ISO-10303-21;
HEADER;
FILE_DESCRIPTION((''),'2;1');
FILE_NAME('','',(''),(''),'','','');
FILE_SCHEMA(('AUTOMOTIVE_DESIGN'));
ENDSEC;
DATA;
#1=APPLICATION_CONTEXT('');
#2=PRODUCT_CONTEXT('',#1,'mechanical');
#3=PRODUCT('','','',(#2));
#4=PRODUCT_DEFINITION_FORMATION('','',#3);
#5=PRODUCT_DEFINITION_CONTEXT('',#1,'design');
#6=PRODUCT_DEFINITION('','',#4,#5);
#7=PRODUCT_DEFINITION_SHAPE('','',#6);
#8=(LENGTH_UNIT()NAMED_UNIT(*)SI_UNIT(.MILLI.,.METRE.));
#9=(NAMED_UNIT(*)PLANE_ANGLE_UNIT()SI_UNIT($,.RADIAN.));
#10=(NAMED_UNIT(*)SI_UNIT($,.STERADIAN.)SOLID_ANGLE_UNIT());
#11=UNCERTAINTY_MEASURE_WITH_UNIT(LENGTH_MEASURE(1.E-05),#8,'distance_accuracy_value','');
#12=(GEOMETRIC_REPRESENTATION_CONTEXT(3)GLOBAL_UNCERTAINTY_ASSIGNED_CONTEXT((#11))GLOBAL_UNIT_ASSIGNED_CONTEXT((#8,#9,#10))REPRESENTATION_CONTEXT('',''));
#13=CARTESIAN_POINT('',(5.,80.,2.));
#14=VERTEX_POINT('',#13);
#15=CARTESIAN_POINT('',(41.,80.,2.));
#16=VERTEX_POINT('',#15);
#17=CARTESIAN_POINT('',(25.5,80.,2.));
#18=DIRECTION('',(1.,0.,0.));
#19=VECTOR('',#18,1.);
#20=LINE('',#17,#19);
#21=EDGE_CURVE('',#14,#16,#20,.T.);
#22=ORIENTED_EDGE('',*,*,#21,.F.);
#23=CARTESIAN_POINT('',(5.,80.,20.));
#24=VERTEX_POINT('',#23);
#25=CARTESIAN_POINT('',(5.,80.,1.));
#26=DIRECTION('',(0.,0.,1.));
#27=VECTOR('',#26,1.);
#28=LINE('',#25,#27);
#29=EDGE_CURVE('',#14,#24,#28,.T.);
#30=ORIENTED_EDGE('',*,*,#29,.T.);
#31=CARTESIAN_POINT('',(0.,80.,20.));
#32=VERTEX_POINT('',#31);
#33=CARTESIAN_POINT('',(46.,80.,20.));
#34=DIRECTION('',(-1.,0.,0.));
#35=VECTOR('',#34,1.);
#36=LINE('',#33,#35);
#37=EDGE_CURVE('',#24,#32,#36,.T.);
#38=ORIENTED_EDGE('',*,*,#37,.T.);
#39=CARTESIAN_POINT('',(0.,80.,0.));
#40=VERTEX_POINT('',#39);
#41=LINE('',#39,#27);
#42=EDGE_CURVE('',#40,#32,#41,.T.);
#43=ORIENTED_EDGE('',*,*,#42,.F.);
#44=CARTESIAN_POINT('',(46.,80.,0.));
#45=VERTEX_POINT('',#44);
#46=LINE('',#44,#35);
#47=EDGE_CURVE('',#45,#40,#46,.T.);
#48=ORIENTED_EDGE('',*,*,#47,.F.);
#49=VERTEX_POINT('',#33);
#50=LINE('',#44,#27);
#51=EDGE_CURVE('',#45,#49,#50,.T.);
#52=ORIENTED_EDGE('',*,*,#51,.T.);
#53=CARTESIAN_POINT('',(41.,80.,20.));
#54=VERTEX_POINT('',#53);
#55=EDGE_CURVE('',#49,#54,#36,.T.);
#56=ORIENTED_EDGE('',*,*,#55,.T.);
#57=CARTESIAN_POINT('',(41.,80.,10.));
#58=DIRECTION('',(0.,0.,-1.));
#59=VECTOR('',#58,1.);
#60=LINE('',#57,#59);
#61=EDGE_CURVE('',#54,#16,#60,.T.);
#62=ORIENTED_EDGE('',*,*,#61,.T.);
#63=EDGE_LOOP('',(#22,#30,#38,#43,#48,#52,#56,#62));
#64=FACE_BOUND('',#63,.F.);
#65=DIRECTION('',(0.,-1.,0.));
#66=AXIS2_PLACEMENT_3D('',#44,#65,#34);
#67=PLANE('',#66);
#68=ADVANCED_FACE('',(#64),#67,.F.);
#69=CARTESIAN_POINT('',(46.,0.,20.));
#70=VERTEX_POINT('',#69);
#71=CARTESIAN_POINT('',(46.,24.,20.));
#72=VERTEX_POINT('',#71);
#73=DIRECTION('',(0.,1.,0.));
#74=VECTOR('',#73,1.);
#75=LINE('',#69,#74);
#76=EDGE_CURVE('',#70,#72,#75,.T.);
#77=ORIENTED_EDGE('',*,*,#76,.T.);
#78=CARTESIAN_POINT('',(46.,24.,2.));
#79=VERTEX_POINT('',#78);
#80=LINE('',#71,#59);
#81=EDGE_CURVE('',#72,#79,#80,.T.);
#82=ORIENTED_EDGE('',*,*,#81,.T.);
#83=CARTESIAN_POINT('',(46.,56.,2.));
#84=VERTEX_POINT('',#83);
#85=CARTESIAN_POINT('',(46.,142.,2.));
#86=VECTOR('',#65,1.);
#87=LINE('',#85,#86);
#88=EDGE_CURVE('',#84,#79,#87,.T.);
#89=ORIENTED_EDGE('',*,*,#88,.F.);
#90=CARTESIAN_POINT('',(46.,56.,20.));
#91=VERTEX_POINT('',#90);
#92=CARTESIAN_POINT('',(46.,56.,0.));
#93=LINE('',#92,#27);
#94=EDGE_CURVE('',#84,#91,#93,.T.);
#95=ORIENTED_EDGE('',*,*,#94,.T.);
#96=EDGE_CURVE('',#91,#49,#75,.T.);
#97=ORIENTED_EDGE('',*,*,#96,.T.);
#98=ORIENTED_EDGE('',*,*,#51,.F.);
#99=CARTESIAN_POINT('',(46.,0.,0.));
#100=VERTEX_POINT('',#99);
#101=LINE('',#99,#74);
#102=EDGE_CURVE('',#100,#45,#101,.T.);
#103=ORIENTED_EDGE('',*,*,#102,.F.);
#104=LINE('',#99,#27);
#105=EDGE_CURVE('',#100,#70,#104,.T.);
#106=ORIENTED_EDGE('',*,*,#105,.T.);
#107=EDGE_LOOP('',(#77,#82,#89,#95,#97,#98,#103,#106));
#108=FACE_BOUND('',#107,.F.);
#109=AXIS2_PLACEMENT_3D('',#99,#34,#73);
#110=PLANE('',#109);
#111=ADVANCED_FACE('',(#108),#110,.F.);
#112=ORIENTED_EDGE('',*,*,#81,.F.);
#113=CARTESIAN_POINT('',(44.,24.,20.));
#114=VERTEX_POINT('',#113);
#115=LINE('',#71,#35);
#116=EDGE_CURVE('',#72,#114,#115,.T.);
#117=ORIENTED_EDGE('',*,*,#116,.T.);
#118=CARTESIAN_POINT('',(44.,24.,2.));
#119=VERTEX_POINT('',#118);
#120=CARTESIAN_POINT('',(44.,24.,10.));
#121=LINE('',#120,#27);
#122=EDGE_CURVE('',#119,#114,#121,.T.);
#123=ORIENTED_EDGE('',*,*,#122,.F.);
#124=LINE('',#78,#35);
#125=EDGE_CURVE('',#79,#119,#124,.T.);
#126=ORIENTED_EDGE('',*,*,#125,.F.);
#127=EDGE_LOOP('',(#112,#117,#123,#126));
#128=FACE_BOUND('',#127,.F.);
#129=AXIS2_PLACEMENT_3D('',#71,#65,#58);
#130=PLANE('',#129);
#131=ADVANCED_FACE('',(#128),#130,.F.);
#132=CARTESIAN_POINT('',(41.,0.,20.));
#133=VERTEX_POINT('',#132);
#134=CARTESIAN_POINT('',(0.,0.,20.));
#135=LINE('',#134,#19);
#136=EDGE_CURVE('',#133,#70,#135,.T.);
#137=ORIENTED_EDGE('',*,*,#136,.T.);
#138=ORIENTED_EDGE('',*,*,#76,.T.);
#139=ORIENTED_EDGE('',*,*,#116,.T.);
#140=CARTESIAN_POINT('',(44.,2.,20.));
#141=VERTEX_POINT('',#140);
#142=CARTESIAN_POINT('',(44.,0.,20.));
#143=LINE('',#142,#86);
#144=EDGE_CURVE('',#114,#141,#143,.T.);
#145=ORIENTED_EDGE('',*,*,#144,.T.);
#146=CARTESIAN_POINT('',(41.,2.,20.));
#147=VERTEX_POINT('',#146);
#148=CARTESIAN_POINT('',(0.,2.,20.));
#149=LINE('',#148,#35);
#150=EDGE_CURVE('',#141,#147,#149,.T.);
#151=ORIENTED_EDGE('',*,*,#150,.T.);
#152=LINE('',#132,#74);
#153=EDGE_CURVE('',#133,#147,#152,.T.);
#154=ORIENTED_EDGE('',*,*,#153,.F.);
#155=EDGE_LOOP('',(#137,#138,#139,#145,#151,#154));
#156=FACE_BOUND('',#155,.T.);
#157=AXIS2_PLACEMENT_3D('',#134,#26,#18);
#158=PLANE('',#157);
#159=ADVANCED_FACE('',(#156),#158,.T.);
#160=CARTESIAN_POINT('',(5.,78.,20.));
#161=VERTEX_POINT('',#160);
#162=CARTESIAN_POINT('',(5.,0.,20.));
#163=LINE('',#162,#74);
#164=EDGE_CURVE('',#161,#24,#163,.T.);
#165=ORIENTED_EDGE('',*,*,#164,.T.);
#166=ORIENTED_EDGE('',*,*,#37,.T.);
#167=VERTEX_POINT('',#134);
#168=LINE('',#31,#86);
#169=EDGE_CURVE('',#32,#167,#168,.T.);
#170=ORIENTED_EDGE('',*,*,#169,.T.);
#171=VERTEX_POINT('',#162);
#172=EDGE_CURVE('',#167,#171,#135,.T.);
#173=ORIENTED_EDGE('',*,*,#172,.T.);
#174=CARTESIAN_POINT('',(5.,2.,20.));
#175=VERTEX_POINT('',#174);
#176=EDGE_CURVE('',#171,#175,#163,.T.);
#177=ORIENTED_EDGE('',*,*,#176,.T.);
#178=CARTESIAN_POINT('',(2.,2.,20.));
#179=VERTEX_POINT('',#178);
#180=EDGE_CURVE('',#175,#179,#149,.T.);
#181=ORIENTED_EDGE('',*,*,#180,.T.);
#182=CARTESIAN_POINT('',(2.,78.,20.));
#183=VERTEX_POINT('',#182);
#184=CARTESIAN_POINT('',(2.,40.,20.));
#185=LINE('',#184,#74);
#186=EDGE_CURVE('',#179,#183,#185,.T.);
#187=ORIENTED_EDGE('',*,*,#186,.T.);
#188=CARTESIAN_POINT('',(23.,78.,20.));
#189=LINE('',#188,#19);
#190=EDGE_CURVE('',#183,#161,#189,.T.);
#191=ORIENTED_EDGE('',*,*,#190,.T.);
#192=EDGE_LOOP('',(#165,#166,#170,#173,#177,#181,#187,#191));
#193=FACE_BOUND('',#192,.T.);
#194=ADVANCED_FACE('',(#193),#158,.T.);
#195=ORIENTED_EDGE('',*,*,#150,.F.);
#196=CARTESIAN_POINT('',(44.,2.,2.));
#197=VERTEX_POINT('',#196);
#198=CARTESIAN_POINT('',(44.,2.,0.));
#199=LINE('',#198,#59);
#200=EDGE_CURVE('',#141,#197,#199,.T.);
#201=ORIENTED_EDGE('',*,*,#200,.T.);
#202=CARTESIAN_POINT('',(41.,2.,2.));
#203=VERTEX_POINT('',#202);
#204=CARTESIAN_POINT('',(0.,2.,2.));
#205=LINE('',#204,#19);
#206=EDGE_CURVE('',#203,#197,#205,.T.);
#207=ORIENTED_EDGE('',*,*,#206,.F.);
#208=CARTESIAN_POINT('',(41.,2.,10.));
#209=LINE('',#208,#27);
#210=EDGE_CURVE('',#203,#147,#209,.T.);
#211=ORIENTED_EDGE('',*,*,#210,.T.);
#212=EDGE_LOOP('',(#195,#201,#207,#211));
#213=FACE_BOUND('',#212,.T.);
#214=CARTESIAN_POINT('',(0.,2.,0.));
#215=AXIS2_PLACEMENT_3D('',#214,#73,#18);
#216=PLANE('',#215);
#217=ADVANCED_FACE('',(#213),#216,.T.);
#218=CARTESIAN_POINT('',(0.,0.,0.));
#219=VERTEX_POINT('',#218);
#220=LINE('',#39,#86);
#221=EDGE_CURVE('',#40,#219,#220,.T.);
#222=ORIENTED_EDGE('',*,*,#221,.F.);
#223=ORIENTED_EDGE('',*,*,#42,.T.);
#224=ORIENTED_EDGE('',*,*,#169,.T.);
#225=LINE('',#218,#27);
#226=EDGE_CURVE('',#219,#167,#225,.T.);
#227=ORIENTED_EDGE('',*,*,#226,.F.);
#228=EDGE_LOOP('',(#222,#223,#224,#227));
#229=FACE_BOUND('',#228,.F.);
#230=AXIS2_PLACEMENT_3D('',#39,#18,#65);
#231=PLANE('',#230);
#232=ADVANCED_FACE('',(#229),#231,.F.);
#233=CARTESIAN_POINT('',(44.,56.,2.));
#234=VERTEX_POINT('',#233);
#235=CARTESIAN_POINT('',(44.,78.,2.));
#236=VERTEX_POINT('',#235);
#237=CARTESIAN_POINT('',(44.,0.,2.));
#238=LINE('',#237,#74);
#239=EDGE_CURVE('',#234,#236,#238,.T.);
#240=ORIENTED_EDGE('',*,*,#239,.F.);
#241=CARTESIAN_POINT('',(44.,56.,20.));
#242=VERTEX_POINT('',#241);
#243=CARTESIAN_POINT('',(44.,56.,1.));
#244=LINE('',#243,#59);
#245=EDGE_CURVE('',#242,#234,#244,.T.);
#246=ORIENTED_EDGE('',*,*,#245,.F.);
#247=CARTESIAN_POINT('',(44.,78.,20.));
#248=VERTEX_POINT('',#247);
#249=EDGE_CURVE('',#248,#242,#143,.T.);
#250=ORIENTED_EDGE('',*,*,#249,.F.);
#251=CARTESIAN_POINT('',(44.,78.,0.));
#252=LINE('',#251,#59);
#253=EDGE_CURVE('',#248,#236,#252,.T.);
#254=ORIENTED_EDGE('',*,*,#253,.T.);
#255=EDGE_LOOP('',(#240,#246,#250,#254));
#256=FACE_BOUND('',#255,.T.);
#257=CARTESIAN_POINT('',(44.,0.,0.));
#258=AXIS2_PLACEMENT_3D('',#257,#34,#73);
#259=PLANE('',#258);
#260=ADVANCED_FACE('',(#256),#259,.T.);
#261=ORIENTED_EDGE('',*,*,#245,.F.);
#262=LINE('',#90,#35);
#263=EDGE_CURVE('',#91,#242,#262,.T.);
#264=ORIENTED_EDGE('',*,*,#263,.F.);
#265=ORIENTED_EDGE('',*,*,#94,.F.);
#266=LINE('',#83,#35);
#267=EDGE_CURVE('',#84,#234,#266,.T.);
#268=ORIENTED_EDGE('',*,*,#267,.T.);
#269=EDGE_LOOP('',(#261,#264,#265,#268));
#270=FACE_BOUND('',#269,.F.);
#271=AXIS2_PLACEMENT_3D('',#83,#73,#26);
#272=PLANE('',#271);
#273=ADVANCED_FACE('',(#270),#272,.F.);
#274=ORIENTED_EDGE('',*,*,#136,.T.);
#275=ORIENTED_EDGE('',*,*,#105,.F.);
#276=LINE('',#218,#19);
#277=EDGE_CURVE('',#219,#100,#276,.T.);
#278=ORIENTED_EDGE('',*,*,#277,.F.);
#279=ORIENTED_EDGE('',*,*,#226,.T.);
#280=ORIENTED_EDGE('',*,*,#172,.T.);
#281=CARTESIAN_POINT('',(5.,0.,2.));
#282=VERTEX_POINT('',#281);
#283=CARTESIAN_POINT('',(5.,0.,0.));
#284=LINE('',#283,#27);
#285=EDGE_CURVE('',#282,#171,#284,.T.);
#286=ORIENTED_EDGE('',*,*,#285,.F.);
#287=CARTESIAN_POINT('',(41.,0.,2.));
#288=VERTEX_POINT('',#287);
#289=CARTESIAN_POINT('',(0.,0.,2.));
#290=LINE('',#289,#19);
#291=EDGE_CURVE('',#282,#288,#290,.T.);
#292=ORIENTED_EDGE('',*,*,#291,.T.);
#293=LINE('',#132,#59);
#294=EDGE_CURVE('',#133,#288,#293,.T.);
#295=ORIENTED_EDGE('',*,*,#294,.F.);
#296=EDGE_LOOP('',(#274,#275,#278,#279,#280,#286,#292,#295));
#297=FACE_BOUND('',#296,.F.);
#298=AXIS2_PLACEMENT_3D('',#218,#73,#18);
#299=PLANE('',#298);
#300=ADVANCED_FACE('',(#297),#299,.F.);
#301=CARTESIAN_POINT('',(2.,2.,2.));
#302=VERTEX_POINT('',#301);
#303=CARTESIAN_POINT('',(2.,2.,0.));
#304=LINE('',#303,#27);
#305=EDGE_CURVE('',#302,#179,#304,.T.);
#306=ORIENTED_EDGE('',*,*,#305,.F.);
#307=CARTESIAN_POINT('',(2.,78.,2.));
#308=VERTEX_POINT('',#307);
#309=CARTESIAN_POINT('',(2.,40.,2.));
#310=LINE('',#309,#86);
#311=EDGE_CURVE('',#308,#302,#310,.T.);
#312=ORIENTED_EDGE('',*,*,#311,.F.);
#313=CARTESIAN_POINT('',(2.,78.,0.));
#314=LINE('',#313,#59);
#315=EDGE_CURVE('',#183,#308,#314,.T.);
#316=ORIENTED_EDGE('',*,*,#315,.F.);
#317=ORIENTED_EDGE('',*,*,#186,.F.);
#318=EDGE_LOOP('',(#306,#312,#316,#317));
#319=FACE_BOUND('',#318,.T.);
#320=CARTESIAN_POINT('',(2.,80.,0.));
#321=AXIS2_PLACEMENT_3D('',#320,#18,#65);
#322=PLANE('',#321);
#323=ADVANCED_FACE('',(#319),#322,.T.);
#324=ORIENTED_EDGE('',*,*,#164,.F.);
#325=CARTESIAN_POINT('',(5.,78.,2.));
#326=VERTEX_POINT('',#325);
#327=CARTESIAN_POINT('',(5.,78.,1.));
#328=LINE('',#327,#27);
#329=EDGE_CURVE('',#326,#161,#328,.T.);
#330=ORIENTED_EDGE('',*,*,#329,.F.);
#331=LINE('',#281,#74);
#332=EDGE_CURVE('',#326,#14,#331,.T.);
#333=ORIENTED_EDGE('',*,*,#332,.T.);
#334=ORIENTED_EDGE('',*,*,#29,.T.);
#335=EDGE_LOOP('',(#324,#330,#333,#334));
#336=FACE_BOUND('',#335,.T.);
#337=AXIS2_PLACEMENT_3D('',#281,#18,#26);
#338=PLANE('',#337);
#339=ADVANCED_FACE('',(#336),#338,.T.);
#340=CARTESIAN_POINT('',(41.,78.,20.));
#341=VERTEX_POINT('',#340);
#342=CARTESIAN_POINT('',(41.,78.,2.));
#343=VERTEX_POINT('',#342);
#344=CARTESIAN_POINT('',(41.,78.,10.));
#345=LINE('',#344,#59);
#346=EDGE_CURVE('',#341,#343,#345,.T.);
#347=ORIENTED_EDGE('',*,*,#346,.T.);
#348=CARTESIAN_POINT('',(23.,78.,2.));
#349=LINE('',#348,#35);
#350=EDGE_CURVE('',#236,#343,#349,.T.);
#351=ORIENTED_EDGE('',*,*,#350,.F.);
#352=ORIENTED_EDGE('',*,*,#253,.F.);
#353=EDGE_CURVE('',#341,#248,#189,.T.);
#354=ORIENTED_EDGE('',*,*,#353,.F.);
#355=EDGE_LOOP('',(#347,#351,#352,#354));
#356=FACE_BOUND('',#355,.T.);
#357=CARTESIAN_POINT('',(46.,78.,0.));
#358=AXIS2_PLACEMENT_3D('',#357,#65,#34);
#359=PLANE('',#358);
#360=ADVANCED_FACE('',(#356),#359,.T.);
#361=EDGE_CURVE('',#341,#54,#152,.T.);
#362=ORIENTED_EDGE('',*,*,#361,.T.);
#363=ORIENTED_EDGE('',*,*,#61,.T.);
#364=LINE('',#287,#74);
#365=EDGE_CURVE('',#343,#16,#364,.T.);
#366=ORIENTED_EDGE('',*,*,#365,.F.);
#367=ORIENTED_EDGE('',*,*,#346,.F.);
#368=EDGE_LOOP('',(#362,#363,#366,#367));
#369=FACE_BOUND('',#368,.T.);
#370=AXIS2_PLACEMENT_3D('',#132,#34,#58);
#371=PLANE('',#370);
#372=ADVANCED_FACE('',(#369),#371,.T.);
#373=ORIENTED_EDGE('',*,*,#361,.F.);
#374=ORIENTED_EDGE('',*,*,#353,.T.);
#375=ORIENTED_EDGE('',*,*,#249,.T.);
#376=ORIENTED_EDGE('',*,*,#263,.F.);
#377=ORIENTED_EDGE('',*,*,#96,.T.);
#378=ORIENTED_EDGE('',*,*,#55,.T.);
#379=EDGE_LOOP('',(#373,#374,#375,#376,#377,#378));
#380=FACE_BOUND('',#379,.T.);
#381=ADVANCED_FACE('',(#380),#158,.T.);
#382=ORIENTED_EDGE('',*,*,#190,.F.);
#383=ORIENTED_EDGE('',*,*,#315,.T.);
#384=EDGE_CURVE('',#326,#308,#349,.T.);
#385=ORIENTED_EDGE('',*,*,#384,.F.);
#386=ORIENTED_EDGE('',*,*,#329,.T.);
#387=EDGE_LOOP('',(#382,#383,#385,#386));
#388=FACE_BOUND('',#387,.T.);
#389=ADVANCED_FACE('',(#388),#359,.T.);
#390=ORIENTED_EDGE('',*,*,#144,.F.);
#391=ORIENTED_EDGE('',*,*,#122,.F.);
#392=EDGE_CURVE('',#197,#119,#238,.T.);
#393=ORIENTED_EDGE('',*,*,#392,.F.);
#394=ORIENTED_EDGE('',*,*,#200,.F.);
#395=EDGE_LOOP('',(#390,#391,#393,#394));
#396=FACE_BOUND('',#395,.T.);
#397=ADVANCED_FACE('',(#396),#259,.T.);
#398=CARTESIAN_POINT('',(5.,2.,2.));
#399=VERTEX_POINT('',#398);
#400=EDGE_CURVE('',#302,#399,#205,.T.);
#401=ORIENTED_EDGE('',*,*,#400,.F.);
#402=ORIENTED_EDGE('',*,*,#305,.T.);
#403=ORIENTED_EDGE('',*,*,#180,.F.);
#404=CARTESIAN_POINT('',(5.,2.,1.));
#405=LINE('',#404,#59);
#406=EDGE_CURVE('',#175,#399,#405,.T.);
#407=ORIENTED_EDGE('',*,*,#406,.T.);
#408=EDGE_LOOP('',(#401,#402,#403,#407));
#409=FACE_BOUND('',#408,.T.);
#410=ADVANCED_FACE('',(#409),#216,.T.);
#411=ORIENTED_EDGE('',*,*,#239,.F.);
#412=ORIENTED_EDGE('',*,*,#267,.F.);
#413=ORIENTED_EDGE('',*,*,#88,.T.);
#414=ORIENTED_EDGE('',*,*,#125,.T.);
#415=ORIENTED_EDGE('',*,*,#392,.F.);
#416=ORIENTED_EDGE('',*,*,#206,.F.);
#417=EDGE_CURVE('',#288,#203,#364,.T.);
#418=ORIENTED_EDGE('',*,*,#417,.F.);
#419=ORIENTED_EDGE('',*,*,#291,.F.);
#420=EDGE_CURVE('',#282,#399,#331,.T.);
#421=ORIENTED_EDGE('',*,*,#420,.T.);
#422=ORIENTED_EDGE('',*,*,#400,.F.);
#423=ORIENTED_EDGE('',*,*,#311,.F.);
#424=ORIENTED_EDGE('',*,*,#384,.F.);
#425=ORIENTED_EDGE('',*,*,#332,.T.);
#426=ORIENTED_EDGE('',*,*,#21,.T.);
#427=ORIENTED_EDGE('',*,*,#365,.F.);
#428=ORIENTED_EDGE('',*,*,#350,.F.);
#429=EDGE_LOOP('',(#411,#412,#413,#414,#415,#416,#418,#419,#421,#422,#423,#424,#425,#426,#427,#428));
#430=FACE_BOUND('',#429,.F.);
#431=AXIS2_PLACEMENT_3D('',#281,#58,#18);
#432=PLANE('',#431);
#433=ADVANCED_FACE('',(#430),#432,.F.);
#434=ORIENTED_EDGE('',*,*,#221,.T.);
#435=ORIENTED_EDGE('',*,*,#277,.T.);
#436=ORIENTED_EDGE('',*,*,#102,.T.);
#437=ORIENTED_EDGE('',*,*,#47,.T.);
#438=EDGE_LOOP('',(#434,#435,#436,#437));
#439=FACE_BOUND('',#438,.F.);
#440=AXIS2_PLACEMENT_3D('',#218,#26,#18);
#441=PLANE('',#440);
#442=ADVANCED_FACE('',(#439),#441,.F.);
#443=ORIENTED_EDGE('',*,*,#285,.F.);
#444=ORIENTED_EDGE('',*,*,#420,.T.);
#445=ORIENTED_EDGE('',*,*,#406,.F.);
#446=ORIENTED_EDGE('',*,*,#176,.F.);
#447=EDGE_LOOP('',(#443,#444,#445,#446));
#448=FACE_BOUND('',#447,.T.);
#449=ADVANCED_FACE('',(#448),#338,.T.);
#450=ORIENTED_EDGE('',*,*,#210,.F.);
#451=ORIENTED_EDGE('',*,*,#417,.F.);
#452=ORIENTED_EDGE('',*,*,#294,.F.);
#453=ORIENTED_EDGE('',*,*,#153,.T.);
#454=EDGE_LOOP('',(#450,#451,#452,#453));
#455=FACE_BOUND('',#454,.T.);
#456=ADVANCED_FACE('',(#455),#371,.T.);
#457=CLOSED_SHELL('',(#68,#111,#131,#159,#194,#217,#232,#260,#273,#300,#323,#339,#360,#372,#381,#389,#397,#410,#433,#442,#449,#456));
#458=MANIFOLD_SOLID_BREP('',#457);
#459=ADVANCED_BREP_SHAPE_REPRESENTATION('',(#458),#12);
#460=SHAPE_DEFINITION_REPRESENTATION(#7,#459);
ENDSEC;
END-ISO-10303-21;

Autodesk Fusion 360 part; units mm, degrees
sketch "Sketch1" plane through (0, 0, 0) normal (0, 0, 1) x (1, 0, 0)
  line L0 (0, 0) -> (46, 0)
  line L1 (46, 0) -> (46, 80)
  line L2 (46, 80) -> (0, 80)
  line L3 (0, 80) -> (0, 0)
  dimension "d1" = 46
  dimension "d2" = 80
extrude "Extrude1" add sketch "Sketch1" along normal blind 20
shell "Shell1" thickness 2 removed faces 1 at (15.3333, 53.3333, 20)
sketch "Sketch2" plane through (0, 0, 0) normal (0, -1, 0) x (1, 0, 0)
  line L0 (0, 0) -> (46, 0)
  line L1 (46, 0) -> (46, 20)
  line L2 (46, 20) -> (0, 20)
  line L3 (0, 20) -> (0, 0)
  line L4 (46, 20) -> (41, 20)
  line L5 (41, 20) -> (41, -16.068)
  line L6 (41, -16.068) -> (46, -16.068)
  line L7 (46, -16.068) -> (46, 20)
  line L8 (0, 0) -> (5, 0)
  line L9 (5, 0) -> (5, 36.068)
  line L10 (5, 36.068) -> (0, 36.068)
  line L11 (0, 36.068) -> (0, 0)
  line L12 (46, 0) -> (0, 0)
  line L13 (0, 0) -> (0, 2)
  line L14 (0, 2) -> (46, 2)
  line L15 (46, 2) -> (46, 0)
  dimension "d6" = 5
  dimension "d7" = 5
  dimension "d8" = 2
extrude "Extrude2" cut sketch "Sketch2" against normal blind 155 contours L2 L5 L9 L14
sketch "Sketch3" plane through (46, 0, 0) normal (1, 0, 0) x (0, 1, 0)
  line L0 (0, 0) -> (80, 0)
  line L1 (80, 0) -> (80, 20)
  line L2 (80, 20) -> (0, 20)
  line L3 (0, 20) -> (0, 0)
  line L4 (80, 0) -> (56, 0)
  line L5 (56, 0) -> (56, 36.068)
  line L6 (56, 36.068) -> (80, 36.068)
  line L7 (80, 36.068) -> (80, 0)
  line L8 (0, 20) -> (24, 20)
  line L9 (24, 20) -> (24, -16.068)
  line L10 (24, -16.068) -> (0, -16.068)
  line L11 (0, -16.068) -> (0, 20)
  line L12 (0, 0) -> (142, 0)
  line L13 (142, 0) -> (142, 2)
  line L14 (142, 2) -> (0, 2)
  line L15 (0, 2) -> (0, 0)
  dimension "d11" = 24
  dimension "d12" = 24
  dimension "d13" = 2
extrude "Extrude3" cut sketch "Sketch3" against normal blind 15 contours L2 L5 L9 L14
